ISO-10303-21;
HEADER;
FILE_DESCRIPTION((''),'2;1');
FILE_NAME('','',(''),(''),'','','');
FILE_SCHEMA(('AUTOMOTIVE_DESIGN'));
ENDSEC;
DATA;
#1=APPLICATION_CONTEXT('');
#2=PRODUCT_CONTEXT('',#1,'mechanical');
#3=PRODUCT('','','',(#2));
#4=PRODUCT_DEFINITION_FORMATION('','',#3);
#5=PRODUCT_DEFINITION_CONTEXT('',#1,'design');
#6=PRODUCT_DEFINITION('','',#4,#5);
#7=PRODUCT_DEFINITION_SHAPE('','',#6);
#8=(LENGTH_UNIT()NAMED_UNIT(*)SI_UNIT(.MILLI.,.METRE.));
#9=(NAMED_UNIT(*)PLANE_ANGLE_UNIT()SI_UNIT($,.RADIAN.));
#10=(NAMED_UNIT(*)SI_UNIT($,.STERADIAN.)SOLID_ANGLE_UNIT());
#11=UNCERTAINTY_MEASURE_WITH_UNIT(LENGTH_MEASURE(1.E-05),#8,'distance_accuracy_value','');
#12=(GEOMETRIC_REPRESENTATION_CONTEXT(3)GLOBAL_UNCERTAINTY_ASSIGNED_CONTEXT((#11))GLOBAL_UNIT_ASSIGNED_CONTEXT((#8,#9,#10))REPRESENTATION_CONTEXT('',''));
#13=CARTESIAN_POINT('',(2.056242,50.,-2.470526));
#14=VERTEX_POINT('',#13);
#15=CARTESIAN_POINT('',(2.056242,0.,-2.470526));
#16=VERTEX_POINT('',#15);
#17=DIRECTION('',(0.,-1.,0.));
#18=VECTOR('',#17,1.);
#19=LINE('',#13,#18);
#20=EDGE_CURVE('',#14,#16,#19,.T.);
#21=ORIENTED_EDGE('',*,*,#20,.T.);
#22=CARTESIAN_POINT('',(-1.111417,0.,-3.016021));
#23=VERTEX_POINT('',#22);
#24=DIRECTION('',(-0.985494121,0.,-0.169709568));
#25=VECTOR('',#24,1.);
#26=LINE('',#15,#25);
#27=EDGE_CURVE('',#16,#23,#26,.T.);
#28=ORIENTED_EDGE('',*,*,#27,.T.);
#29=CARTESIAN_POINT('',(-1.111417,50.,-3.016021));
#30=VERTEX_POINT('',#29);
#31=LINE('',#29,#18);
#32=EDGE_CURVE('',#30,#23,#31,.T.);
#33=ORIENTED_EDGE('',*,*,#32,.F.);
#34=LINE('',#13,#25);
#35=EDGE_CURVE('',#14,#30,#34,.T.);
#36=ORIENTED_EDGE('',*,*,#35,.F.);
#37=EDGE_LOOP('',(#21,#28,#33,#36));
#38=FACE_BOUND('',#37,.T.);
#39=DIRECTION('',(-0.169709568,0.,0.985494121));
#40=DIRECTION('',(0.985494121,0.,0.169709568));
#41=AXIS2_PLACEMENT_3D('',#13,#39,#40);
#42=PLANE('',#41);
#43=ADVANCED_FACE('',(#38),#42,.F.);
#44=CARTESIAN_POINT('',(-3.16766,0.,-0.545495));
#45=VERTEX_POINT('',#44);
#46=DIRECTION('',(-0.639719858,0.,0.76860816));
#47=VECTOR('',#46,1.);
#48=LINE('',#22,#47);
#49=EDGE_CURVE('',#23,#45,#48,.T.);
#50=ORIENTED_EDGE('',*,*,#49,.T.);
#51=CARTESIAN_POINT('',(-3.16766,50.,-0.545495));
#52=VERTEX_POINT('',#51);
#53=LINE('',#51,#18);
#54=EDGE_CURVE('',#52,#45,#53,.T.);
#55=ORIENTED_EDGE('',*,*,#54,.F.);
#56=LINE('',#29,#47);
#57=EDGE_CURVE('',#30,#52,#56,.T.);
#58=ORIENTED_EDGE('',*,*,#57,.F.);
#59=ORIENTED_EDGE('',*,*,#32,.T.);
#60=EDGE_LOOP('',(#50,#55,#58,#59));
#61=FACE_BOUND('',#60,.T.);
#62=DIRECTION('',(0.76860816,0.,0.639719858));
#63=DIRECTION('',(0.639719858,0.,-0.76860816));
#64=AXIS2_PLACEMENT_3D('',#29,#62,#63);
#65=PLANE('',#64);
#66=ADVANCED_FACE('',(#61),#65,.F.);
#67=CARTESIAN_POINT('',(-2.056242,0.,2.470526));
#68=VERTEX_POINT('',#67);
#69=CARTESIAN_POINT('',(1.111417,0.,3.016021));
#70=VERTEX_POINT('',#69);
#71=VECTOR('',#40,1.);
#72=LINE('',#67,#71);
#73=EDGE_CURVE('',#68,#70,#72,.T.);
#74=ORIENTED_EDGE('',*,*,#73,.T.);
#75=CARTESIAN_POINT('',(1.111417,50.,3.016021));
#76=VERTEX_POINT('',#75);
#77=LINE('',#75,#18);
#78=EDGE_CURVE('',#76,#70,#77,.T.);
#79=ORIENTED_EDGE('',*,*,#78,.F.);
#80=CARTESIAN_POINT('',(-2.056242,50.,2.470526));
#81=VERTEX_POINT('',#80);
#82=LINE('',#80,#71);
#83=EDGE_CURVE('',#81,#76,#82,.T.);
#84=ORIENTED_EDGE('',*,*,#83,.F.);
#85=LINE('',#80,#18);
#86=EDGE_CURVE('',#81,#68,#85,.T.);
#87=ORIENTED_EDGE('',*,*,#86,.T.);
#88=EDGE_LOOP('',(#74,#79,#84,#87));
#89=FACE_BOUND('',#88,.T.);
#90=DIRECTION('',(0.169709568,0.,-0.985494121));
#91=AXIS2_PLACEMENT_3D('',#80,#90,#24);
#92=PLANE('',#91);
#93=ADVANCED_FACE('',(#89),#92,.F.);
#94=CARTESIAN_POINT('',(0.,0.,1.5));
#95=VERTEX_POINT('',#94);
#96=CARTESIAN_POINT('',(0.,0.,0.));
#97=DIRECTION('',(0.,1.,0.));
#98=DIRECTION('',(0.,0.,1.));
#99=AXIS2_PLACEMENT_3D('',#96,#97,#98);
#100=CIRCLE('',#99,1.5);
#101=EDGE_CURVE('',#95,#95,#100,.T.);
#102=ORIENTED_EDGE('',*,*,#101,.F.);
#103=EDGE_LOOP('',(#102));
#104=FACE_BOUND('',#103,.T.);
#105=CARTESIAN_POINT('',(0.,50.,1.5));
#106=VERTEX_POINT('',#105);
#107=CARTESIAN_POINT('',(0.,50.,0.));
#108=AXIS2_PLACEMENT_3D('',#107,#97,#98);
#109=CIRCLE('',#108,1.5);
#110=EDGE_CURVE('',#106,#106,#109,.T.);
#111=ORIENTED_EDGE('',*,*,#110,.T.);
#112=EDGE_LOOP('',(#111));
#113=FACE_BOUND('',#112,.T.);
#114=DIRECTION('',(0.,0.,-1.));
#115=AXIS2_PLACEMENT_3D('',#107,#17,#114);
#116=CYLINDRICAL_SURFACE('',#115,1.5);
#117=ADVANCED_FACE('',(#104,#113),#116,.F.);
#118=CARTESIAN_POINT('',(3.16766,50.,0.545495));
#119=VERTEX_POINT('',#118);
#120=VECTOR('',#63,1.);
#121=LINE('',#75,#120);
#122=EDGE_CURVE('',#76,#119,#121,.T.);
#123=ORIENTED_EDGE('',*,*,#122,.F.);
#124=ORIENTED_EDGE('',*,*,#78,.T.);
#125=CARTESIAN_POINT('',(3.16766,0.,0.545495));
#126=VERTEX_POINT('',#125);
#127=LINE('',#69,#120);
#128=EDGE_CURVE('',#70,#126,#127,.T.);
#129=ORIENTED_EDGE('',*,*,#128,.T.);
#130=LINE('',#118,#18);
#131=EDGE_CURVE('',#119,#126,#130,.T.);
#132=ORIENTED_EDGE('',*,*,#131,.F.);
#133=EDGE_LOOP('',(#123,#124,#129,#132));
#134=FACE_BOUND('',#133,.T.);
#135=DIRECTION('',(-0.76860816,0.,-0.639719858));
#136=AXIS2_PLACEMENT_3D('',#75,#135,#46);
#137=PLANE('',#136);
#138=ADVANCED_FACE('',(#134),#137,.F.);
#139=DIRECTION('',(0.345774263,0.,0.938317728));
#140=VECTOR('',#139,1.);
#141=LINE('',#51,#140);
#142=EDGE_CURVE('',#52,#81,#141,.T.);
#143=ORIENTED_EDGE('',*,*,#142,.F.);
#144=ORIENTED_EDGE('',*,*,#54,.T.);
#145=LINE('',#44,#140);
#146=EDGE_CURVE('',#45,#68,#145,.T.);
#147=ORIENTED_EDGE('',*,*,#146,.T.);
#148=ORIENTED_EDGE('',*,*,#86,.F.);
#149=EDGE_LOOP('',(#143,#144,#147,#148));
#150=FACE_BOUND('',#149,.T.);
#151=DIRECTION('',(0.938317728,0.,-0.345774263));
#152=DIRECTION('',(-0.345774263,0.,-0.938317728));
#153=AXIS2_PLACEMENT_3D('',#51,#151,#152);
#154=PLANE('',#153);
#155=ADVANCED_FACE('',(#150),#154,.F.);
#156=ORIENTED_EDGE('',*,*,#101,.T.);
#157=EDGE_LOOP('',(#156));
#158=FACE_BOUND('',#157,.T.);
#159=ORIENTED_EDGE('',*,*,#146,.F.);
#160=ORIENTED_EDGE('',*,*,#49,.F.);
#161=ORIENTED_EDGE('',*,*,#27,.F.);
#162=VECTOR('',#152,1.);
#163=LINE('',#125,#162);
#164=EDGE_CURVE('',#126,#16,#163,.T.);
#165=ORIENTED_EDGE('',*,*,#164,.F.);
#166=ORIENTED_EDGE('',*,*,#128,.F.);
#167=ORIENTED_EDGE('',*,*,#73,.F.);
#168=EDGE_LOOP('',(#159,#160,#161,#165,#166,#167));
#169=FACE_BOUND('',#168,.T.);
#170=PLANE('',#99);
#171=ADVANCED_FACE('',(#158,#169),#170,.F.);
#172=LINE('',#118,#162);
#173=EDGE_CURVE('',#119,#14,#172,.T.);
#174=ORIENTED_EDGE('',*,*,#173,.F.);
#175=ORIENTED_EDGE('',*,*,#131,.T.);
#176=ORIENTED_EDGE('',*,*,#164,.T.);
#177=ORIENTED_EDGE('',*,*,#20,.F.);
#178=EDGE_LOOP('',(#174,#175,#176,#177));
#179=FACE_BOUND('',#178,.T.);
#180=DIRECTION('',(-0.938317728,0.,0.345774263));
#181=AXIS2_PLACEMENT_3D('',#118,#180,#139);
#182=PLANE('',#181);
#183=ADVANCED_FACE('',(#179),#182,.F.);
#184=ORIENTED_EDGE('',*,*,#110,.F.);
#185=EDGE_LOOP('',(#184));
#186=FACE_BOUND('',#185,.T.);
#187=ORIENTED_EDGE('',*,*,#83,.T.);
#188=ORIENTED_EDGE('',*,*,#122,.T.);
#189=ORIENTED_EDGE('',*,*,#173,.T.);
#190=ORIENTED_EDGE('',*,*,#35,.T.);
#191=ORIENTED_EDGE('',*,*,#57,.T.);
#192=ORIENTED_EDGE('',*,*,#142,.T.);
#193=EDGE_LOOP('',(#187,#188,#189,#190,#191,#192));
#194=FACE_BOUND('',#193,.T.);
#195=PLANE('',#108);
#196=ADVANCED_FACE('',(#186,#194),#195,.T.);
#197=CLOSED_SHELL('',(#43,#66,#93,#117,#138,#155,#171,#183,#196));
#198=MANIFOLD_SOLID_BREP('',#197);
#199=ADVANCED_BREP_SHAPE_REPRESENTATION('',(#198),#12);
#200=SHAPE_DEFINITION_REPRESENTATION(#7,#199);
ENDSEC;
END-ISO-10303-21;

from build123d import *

# Parameters (mm, degrees)
SKETCH1_R           = 1.5
BOSS_EXTRUDE1_DEPTH = 50


with BuildPart() as part:
    # Sketch1 → Boss-Extrude1 (new body)
    with BuildSketch(Plane(origin=(0, 0, 0), x_dir=(1, 0, 0), z_dir=(0, 1, 0))):
        Polygon((1.111417275, -3.016021269), (3.167659675, -0.545495041), (2.0562424, 2.470526228), (-1.111417275, 3.016021269), (-3.167659675, 0.54549504), (-2.0562424, -2.470526228), align=None)
        with Locations(Location((0, 0, 0), (0, 0, 270))):
            Circle(SKETCH1_R, mode=Mode.SUBTRACT)
    extrude(amount=BOSS_EXTRUDE1_DEPTH)


solid = part.part
